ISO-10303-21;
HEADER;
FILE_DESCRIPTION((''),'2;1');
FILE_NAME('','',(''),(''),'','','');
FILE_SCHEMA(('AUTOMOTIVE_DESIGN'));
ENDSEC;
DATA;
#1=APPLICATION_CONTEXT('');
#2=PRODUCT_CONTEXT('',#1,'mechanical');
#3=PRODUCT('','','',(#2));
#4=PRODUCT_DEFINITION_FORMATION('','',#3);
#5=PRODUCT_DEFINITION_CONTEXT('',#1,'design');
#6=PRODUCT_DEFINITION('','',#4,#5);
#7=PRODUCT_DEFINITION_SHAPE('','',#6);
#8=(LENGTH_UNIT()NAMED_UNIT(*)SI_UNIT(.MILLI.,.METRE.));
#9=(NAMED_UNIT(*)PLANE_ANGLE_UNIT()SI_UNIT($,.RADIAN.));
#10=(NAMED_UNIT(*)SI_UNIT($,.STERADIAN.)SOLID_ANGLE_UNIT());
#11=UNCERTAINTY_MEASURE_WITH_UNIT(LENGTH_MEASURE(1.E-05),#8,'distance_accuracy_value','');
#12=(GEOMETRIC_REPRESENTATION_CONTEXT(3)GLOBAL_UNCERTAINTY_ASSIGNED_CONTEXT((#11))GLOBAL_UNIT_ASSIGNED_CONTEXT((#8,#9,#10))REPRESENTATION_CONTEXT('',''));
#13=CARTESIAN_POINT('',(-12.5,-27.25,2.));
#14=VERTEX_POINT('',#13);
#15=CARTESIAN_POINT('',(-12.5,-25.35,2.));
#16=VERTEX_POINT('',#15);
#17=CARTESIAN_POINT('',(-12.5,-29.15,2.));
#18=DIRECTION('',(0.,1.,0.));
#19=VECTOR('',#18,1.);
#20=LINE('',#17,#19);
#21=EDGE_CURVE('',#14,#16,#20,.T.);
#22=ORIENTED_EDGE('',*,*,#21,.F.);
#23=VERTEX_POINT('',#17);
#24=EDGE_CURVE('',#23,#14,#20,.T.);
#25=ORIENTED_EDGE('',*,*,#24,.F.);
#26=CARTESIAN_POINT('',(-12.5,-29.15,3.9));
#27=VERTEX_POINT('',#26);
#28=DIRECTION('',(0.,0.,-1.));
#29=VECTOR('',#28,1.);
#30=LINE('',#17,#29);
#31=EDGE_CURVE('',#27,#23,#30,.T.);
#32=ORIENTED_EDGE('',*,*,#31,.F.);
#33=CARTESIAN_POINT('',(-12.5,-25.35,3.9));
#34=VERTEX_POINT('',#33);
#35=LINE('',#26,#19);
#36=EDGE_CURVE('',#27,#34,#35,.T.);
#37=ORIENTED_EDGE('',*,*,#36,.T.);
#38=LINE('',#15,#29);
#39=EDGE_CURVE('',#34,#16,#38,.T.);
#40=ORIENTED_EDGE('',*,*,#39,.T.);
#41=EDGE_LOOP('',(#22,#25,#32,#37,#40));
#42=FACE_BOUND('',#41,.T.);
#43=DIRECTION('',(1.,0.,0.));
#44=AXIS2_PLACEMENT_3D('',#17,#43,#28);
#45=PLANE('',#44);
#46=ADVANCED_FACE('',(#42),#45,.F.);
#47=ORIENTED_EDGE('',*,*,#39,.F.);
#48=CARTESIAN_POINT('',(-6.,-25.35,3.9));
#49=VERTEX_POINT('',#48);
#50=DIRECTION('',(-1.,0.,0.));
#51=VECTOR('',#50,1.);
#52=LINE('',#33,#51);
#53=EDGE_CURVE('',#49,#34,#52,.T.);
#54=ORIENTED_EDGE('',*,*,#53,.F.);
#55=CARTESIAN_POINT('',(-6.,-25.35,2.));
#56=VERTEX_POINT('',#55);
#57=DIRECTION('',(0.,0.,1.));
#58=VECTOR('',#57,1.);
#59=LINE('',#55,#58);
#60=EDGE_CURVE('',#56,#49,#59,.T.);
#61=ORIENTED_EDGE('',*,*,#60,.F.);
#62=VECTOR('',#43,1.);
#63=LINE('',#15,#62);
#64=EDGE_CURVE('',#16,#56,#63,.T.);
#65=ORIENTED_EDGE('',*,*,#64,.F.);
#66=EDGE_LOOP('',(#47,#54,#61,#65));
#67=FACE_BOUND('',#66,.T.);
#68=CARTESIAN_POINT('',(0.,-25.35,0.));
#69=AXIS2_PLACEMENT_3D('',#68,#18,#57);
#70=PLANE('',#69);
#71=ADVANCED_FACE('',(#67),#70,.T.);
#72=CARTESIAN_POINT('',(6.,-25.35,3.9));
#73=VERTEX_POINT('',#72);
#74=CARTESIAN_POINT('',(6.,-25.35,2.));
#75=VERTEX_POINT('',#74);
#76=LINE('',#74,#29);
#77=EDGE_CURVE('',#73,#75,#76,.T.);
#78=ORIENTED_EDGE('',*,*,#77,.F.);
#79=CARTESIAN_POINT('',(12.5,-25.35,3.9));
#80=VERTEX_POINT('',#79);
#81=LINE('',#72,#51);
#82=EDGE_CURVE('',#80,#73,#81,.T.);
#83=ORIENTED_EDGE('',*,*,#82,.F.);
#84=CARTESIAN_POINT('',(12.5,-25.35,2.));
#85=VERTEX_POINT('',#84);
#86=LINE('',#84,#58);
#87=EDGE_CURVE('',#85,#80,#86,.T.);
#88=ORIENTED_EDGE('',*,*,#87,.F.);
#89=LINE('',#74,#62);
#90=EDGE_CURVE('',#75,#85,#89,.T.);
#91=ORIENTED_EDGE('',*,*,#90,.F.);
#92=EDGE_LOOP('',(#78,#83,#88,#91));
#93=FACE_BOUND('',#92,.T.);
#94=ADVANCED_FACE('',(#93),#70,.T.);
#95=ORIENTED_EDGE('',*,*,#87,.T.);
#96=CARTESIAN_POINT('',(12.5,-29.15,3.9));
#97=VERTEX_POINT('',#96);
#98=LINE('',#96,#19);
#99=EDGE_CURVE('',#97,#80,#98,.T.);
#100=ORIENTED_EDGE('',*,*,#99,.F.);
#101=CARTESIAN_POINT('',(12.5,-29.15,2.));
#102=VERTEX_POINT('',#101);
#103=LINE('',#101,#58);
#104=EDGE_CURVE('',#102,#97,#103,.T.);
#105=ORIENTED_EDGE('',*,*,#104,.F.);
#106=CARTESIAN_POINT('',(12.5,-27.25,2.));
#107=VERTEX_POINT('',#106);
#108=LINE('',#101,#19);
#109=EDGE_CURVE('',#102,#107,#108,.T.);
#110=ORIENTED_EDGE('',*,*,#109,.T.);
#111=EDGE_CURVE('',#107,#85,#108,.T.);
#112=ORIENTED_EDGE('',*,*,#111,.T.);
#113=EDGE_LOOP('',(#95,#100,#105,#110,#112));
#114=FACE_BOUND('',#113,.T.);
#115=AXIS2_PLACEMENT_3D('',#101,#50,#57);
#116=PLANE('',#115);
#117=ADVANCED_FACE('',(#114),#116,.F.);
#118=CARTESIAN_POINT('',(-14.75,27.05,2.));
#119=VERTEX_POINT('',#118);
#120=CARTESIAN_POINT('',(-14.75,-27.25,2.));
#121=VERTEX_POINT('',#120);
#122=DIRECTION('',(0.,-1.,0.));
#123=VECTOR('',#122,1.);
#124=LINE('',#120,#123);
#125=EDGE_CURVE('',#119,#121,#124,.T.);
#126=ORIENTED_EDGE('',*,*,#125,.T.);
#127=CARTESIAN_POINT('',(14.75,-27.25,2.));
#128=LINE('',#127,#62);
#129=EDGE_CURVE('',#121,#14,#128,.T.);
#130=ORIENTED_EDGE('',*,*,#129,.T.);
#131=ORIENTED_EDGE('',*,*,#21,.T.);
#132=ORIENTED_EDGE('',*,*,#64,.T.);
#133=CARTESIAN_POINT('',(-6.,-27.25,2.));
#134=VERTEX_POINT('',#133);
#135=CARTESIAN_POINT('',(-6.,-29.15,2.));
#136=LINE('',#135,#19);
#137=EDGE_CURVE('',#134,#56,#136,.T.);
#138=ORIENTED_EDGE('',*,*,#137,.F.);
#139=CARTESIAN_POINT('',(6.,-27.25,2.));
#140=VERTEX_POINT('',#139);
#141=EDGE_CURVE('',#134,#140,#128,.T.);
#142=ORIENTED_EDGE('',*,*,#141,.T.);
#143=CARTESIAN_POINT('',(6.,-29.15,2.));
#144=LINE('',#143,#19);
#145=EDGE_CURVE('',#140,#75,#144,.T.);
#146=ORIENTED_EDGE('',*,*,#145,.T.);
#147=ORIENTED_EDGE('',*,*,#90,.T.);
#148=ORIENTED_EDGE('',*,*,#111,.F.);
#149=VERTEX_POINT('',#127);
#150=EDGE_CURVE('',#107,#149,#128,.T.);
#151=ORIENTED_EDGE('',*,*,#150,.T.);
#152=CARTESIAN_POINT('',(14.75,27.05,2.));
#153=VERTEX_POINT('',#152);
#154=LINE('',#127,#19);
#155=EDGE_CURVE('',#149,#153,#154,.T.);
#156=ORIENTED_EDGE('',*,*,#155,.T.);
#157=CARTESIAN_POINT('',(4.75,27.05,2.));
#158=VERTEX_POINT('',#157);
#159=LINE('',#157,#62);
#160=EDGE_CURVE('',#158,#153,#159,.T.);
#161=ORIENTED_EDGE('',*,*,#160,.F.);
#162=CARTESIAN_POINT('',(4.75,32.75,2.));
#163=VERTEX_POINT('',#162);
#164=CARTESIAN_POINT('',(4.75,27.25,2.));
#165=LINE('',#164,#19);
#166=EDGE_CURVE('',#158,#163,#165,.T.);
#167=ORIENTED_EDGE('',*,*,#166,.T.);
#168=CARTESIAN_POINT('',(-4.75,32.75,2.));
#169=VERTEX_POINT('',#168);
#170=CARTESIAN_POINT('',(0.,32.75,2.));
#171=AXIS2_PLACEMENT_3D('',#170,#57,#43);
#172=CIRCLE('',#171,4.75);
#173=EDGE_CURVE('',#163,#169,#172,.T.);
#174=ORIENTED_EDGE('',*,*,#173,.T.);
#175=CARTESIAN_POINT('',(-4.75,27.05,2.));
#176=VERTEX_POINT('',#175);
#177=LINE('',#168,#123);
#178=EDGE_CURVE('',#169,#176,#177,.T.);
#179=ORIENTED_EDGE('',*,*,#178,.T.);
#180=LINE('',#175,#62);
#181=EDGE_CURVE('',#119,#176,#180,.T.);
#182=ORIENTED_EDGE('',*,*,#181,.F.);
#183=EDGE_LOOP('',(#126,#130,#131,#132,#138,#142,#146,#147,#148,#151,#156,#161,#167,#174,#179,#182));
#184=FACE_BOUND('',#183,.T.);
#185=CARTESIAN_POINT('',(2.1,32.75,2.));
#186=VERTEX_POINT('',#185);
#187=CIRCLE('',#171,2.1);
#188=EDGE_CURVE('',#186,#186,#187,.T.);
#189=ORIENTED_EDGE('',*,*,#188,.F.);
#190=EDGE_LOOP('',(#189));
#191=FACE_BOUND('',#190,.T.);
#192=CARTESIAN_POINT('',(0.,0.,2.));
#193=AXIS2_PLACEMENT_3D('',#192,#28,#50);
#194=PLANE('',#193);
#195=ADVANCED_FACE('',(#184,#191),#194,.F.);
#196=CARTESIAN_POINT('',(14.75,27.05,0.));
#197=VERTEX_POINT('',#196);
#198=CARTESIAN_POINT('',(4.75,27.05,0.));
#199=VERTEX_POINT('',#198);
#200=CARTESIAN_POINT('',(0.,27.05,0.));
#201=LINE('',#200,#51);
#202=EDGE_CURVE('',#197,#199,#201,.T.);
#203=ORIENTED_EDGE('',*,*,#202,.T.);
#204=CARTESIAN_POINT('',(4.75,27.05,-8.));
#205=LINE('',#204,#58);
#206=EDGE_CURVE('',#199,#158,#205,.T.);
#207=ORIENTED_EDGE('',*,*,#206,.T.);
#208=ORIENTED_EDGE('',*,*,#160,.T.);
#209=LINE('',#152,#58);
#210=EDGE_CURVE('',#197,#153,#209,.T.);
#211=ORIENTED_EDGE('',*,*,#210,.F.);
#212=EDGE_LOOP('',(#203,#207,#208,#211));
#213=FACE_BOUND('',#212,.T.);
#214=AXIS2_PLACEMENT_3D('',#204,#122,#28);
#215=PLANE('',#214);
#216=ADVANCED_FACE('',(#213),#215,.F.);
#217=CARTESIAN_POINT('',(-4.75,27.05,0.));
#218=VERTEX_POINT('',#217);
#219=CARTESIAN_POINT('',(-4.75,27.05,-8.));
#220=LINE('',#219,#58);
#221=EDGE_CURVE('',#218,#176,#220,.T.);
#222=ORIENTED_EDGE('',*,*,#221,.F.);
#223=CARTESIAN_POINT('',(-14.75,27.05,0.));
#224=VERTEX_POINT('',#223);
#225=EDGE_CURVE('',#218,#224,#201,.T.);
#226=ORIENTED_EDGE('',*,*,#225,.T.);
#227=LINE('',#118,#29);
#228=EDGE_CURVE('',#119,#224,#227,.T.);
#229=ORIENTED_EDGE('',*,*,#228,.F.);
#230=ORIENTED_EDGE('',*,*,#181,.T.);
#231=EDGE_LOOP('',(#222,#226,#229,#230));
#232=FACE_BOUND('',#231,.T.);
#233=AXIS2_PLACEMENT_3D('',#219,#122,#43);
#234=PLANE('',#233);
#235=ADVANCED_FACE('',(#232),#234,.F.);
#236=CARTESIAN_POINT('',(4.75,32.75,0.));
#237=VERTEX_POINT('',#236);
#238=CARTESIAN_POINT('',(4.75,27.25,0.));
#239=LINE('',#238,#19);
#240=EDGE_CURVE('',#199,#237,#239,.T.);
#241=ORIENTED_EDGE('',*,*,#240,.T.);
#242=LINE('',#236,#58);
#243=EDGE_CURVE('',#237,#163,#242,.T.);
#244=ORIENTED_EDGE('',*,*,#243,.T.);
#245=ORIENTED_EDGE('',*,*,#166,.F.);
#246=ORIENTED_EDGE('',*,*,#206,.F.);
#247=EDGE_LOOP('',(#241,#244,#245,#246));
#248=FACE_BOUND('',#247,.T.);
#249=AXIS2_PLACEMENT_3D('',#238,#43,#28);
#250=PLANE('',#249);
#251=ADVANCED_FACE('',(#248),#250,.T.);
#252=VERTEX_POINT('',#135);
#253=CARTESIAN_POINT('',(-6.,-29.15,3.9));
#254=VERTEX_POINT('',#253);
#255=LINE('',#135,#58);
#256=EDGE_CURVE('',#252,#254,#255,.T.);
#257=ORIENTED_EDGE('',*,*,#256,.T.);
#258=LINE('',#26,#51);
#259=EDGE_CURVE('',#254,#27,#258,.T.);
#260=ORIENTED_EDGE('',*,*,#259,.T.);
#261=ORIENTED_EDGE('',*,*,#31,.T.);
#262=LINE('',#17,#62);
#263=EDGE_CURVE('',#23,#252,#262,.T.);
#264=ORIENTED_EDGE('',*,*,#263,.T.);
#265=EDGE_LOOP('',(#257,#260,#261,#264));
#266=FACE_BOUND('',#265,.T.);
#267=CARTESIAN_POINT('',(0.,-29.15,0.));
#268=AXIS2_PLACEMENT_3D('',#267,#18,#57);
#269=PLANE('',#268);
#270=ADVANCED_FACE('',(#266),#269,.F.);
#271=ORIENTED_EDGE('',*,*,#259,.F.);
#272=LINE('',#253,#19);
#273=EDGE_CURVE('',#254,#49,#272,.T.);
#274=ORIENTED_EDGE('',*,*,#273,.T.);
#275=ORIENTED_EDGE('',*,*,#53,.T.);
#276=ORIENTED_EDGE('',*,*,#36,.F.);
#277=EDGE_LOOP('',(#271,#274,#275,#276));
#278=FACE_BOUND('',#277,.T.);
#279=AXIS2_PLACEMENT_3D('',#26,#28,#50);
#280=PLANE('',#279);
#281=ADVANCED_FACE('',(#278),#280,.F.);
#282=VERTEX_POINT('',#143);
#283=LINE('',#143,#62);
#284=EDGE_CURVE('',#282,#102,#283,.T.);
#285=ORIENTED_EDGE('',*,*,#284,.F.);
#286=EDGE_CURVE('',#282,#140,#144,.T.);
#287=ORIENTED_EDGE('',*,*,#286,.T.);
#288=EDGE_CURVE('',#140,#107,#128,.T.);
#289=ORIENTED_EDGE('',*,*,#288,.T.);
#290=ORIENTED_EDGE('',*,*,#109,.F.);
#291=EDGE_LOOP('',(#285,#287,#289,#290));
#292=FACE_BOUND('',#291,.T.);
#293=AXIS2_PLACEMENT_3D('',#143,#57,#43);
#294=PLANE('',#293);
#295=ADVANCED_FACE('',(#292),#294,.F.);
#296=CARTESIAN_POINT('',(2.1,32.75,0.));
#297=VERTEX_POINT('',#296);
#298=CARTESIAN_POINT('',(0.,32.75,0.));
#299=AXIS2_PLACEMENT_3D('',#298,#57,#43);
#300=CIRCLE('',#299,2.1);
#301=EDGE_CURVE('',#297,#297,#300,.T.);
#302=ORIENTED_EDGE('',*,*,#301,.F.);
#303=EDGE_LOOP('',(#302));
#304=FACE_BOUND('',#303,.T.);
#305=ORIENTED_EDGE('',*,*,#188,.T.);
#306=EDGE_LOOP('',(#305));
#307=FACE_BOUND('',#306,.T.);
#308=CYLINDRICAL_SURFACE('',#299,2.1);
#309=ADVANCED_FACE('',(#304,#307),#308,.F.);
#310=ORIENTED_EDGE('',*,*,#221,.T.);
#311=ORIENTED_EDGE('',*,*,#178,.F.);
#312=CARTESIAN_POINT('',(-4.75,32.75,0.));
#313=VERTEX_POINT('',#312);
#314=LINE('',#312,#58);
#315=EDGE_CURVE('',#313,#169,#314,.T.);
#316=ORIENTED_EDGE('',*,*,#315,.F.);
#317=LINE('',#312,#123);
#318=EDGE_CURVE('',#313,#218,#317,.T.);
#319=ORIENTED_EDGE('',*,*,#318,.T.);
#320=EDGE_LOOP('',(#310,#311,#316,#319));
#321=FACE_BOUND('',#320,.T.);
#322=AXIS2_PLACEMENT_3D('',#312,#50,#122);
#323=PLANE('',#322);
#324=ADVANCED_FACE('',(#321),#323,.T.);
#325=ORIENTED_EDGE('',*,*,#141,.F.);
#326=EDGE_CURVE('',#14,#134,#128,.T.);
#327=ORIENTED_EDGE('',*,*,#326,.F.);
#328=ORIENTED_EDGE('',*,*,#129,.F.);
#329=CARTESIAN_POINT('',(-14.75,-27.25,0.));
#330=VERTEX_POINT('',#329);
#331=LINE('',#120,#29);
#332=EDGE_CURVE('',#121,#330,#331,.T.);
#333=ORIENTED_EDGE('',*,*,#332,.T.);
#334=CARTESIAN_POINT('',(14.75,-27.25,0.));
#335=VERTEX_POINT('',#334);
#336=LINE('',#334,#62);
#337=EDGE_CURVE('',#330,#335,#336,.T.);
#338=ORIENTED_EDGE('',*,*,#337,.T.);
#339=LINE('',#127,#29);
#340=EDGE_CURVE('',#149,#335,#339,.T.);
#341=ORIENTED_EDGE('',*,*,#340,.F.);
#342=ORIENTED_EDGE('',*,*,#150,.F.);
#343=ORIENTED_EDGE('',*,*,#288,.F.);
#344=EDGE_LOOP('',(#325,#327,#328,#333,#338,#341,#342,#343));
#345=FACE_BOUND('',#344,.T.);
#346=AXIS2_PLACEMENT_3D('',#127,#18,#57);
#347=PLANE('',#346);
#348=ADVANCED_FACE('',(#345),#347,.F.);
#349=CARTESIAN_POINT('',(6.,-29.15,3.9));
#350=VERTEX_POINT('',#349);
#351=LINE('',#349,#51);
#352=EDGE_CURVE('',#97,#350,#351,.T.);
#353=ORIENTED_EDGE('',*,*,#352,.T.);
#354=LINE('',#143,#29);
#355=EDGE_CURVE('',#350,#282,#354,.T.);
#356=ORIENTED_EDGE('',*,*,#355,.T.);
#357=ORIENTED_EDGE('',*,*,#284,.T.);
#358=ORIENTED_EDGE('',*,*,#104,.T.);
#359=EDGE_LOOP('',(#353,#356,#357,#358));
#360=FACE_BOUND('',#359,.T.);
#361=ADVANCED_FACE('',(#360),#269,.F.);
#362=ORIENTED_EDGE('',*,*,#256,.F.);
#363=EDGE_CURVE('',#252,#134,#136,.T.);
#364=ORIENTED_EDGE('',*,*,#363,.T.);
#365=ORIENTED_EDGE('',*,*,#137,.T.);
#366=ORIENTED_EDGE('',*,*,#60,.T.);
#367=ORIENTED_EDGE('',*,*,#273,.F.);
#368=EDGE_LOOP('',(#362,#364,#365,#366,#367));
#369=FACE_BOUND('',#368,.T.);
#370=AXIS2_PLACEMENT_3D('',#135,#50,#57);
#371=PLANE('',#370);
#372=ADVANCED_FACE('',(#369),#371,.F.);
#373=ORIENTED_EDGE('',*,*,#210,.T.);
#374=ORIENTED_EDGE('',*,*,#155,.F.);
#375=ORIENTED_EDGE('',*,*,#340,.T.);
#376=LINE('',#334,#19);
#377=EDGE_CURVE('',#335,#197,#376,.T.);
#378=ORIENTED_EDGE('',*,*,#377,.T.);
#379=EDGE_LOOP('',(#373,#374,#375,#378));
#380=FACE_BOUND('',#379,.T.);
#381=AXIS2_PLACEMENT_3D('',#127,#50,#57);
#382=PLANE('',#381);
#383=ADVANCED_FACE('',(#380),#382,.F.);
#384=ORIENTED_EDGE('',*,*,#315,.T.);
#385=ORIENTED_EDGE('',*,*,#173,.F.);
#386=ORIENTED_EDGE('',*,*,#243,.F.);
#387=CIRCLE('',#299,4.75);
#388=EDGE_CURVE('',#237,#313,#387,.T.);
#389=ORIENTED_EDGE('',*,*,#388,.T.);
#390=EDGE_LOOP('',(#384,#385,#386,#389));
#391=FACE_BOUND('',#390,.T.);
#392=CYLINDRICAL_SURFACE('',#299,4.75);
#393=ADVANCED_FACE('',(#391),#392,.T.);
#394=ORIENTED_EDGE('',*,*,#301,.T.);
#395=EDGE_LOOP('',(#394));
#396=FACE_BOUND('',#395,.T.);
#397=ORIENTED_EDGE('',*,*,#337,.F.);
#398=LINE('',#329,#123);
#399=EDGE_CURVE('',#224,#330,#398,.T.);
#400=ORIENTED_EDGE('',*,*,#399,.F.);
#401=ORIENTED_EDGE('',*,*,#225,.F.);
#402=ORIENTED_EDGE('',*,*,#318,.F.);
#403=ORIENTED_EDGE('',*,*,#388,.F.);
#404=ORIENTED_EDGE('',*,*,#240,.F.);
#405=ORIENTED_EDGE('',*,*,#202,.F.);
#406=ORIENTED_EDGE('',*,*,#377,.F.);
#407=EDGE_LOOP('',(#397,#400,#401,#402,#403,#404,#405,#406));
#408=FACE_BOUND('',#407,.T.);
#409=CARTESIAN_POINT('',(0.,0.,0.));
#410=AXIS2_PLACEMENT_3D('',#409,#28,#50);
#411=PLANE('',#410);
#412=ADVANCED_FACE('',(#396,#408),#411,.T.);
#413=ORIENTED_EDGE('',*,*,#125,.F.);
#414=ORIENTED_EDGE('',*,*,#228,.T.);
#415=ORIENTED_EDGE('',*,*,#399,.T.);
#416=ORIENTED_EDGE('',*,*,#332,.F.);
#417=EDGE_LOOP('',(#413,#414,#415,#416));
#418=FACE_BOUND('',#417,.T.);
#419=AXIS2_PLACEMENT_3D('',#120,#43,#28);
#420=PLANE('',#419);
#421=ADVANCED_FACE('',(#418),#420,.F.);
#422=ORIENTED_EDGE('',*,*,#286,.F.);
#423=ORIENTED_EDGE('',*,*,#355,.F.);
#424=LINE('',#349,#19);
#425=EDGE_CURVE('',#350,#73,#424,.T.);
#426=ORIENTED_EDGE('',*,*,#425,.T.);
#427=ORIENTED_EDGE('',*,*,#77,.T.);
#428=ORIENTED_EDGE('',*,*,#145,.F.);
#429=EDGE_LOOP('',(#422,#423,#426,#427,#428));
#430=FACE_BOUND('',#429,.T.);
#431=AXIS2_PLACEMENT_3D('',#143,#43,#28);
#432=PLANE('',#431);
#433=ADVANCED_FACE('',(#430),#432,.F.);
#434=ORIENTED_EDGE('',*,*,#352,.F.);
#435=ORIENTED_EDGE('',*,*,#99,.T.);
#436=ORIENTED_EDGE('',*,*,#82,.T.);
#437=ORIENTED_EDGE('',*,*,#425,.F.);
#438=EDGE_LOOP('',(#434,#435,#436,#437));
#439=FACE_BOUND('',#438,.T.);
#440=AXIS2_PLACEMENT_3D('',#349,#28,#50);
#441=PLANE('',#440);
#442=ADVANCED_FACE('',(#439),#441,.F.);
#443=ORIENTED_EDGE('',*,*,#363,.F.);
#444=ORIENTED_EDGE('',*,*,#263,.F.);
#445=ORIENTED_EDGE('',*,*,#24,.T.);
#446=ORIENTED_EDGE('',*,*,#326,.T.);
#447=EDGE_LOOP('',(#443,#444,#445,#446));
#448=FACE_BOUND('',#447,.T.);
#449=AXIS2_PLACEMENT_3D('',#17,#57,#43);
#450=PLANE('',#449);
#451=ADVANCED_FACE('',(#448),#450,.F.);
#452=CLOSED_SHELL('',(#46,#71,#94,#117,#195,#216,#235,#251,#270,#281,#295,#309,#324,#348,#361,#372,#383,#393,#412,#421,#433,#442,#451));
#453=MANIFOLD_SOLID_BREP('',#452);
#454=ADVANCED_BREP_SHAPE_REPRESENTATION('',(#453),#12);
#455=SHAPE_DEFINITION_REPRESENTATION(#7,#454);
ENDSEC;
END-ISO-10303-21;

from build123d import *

# Parameters (mm, degrees)
SKETCH1_W           = 54.5
SKETCH1_H           = 29.5
BOSS_EXTRUDE1_DEPTH = 2
SKETCH2_W           = 6.5
SKETCH2_H           = 1.9
BOSS_EXTRUDE2_DEPTH = 1.9
SKETCH4_W           = 6.5
SKETCH4_H           = 1.9
BOSS_EXTRUDE3_DEPTH = 1.9
SKETCH5_R           = 2.1
BOSS_EXTRUDE4_DEPTH = 2
SKETCH6_W           = 15.900329316
SKETCH6_H           = 0.2
SKETCH6_W_2         = 14.215882728
CUT_EXTRUDE1_DEPTH  = 10


with BuildPart() as part:
    # Sketch1 → Boss-Extrude1 (new body)
    with BuildSketch(Plane(origin=(0, 0, 0), x_dir=(0, 1, 0), z_dir=(0, 0, 1))):
        Rectangle(SKETCH1_W, SKETCH1_H)
    extrude(amount=BOSS_EXTRUDE1_DEPTH)

    # Sketch2 → Boss-Extrude2 (add, symmetric)
    with BuildSketch(Plane.XZ.offset(27.25)):
        with Locations((-9.25, 2.95)):
            Rectangle(SKETCH2_W, SKETCH2_H)
    extrude(amount=BOSS_EXTRUDE2_DEPTH, both=True)

    # Sketch4 → Boss-Extrude3 (add, symmetric)
    with BuildSketch(Plane.XZ.offset(27.25)):
        with Locations((9.25, 2.95)):
            Rectangle(SKETCH4_W, SKETCH4_H)
    extrude(amount=BOSS_EXTRUDE3_DEPTH, both=True)

    # Sketch5 → Boss-Extrude4 (add)
    with BuildSketch(Plane.XY.offset(2)):
        with BuildLine():
            Line((-4.75, 32.75), (-4.75, 27.25))
            Line((-4.75, 27.25), (4.75, 27.25))
            Line((4.75, 27.25), (4.75, 32.75))
            ThreePointArc((4.75, 32.75), (0, 37.5), (-4.75, 32.75))
        make_face()
        with Locations((0, 32.75)):
            Circle(SKETCH5_R, mode=Mode.SUBTRACT)
    extrude(amount=-BOSS_EXTRUDE4_DEPTH)

    # Sketch6 → Cut-Extrude1 (cut)
    with BuildSketch(Plane.XY.offset(2)):
        with Locations((-12.700164658, 27.15)):
            Rectangle(SKETCH6_W, SKETCH6_H)
        with Locations((11.857941364, 27.15)):
            Rectangle(SKETCH6_W_2, SKETCH6_H)
    extrude(amount=-CUT_EXTRUDE1_DEPTH, mode=Mode.SUBTRACT)


solid = part.part
